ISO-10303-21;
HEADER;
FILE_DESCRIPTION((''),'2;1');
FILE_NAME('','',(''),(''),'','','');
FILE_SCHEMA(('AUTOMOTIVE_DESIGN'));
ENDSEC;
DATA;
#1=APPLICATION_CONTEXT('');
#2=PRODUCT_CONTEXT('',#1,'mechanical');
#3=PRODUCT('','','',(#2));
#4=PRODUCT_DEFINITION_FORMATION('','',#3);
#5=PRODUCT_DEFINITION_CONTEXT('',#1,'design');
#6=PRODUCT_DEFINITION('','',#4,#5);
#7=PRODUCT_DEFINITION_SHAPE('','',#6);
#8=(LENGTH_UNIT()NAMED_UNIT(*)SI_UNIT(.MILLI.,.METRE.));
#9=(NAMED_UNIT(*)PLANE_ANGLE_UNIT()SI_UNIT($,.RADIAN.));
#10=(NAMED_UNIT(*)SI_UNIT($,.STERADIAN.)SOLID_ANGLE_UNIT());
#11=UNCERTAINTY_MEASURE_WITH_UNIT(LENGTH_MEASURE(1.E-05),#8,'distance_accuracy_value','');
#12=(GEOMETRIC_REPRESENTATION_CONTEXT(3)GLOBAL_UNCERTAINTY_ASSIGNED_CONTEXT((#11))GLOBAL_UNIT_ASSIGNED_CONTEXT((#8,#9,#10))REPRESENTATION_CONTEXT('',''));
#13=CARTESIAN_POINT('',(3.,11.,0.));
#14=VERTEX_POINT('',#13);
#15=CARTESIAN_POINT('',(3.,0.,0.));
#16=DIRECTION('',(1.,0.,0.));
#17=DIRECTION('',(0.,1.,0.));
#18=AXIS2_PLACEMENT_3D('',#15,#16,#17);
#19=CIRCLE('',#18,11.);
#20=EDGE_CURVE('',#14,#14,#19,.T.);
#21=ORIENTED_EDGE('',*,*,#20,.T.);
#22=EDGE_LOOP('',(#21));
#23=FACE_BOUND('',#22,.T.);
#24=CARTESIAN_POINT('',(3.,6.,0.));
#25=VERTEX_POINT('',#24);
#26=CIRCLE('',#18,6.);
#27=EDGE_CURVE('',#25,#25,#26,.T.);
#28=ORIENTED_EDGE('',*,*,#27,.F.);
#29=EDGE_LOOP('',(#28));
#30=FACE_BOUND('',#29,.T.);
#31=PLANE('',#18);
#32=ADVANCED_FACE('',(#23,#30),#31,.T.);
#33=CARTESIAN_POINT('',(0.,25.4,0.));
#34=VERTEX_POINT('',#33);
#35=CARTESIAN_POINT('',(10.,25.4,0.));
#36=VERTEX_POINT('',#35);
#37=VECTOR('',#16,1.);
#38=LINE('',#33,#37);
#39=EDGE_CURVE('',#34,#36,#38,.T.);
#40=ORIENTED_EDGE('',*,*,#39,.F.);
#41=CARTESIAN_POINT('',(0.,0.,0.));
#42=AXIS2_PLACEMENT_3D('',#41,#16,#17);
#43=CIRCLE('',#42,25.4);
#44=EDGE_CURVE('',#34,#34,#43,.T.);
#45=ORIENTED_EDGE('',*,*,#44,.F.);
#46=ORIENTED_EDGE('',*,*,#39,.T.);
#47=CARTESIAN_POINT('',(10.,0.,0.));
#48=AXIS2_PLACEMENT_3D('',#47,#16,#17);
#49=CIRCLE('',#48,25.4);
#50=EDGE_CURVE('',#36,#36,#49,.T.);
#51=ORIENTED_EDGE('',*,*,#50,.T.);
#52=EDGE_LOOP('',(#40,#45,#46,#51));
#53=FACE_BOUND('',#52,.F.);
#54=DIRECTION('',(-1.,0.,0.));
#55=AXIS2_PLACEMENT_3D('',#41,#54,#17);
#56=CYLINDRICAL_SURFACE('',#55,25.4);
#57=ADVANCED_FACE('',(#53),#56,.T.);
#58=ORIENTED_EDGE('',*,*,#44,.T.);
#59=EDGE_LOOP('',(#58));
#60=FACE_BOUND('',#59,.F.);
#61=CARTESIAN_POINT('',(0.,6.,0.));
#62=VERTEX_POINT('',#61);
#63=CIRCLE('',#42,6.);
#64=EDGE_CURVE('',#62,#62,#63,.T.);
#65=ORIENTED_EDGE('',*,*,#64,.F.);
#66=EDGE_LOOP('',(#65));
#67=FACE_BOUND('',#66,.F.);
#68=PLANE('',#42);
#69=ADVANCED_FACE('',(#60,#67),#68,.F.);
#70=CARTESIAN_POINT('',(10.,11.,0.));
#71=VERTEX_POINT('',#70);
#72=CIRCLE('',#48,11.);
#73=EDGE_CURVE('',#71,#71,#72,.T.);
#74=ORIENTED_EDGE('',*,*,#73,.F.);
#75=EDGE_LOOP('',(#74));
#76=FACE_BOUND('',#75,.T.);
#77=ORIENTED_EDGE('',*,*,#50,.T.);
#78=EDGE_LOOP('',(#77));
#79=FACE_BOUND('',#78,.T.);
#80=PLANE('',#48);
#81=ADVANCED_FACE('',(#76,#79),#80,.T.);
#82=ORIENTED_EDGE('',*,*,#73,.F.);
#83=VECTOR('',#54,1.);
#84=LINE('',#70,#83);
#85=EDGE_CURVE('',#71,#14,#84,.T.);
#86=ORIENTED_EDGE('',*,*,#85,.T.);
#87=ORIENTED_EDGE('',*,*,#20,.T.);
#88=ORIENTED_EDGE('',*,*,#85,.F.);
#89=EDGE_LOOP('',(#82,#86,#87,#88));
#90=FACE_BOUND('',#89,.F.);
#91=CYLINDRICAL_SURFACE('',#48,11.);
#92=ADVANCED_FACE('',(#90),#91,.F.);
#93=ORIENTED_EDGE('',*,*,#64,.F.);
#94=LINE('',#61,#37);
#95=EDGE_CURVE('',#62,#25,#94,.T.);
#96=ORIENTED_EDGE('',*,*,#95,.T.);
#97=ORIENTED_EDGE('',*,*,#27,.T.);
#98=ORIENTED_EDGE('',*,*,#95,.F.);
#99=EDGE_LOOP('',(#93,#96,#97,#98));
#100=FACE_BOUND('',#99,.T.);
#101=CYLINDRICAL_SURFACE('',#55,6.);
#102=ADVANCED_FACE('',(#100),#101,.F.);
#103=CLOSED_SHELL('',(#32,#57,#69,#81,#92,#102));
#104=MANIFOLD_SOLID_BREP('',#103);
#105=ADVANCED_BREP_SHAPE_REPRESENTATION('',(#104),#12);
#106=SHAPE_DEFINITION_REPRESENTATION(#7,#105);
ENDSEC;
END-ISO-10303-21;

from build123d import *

# Parameters (mm, degrees)
F0_R     = 25.4
F0_R_2   = 6
F1_DEPTH = 10
F2_R     = 11
F2_R_2   = 6
F3_DEPTH = 7


with BuildPart() as f1:
    # F0 (on Right) → F1 (new body)
    with BuildSketch(Plane.YZ):
        Circle(F0_R)
        Circle(F0_R_2, mode=Mode.SUBTRACT)
    extrude(amount=F1_DEPTH)

    # F2 (on face) → F3 (cut)
    with BuildSketch(Plane.YZ.offset(10)):
        Circle(F2_R)
        Circle(F2_R_2, mode=Mode.SUBTRACT)
    extrude(amount=-F3_DEPTH, mode=Mode.SUBTRACT)


solid = f1.part
